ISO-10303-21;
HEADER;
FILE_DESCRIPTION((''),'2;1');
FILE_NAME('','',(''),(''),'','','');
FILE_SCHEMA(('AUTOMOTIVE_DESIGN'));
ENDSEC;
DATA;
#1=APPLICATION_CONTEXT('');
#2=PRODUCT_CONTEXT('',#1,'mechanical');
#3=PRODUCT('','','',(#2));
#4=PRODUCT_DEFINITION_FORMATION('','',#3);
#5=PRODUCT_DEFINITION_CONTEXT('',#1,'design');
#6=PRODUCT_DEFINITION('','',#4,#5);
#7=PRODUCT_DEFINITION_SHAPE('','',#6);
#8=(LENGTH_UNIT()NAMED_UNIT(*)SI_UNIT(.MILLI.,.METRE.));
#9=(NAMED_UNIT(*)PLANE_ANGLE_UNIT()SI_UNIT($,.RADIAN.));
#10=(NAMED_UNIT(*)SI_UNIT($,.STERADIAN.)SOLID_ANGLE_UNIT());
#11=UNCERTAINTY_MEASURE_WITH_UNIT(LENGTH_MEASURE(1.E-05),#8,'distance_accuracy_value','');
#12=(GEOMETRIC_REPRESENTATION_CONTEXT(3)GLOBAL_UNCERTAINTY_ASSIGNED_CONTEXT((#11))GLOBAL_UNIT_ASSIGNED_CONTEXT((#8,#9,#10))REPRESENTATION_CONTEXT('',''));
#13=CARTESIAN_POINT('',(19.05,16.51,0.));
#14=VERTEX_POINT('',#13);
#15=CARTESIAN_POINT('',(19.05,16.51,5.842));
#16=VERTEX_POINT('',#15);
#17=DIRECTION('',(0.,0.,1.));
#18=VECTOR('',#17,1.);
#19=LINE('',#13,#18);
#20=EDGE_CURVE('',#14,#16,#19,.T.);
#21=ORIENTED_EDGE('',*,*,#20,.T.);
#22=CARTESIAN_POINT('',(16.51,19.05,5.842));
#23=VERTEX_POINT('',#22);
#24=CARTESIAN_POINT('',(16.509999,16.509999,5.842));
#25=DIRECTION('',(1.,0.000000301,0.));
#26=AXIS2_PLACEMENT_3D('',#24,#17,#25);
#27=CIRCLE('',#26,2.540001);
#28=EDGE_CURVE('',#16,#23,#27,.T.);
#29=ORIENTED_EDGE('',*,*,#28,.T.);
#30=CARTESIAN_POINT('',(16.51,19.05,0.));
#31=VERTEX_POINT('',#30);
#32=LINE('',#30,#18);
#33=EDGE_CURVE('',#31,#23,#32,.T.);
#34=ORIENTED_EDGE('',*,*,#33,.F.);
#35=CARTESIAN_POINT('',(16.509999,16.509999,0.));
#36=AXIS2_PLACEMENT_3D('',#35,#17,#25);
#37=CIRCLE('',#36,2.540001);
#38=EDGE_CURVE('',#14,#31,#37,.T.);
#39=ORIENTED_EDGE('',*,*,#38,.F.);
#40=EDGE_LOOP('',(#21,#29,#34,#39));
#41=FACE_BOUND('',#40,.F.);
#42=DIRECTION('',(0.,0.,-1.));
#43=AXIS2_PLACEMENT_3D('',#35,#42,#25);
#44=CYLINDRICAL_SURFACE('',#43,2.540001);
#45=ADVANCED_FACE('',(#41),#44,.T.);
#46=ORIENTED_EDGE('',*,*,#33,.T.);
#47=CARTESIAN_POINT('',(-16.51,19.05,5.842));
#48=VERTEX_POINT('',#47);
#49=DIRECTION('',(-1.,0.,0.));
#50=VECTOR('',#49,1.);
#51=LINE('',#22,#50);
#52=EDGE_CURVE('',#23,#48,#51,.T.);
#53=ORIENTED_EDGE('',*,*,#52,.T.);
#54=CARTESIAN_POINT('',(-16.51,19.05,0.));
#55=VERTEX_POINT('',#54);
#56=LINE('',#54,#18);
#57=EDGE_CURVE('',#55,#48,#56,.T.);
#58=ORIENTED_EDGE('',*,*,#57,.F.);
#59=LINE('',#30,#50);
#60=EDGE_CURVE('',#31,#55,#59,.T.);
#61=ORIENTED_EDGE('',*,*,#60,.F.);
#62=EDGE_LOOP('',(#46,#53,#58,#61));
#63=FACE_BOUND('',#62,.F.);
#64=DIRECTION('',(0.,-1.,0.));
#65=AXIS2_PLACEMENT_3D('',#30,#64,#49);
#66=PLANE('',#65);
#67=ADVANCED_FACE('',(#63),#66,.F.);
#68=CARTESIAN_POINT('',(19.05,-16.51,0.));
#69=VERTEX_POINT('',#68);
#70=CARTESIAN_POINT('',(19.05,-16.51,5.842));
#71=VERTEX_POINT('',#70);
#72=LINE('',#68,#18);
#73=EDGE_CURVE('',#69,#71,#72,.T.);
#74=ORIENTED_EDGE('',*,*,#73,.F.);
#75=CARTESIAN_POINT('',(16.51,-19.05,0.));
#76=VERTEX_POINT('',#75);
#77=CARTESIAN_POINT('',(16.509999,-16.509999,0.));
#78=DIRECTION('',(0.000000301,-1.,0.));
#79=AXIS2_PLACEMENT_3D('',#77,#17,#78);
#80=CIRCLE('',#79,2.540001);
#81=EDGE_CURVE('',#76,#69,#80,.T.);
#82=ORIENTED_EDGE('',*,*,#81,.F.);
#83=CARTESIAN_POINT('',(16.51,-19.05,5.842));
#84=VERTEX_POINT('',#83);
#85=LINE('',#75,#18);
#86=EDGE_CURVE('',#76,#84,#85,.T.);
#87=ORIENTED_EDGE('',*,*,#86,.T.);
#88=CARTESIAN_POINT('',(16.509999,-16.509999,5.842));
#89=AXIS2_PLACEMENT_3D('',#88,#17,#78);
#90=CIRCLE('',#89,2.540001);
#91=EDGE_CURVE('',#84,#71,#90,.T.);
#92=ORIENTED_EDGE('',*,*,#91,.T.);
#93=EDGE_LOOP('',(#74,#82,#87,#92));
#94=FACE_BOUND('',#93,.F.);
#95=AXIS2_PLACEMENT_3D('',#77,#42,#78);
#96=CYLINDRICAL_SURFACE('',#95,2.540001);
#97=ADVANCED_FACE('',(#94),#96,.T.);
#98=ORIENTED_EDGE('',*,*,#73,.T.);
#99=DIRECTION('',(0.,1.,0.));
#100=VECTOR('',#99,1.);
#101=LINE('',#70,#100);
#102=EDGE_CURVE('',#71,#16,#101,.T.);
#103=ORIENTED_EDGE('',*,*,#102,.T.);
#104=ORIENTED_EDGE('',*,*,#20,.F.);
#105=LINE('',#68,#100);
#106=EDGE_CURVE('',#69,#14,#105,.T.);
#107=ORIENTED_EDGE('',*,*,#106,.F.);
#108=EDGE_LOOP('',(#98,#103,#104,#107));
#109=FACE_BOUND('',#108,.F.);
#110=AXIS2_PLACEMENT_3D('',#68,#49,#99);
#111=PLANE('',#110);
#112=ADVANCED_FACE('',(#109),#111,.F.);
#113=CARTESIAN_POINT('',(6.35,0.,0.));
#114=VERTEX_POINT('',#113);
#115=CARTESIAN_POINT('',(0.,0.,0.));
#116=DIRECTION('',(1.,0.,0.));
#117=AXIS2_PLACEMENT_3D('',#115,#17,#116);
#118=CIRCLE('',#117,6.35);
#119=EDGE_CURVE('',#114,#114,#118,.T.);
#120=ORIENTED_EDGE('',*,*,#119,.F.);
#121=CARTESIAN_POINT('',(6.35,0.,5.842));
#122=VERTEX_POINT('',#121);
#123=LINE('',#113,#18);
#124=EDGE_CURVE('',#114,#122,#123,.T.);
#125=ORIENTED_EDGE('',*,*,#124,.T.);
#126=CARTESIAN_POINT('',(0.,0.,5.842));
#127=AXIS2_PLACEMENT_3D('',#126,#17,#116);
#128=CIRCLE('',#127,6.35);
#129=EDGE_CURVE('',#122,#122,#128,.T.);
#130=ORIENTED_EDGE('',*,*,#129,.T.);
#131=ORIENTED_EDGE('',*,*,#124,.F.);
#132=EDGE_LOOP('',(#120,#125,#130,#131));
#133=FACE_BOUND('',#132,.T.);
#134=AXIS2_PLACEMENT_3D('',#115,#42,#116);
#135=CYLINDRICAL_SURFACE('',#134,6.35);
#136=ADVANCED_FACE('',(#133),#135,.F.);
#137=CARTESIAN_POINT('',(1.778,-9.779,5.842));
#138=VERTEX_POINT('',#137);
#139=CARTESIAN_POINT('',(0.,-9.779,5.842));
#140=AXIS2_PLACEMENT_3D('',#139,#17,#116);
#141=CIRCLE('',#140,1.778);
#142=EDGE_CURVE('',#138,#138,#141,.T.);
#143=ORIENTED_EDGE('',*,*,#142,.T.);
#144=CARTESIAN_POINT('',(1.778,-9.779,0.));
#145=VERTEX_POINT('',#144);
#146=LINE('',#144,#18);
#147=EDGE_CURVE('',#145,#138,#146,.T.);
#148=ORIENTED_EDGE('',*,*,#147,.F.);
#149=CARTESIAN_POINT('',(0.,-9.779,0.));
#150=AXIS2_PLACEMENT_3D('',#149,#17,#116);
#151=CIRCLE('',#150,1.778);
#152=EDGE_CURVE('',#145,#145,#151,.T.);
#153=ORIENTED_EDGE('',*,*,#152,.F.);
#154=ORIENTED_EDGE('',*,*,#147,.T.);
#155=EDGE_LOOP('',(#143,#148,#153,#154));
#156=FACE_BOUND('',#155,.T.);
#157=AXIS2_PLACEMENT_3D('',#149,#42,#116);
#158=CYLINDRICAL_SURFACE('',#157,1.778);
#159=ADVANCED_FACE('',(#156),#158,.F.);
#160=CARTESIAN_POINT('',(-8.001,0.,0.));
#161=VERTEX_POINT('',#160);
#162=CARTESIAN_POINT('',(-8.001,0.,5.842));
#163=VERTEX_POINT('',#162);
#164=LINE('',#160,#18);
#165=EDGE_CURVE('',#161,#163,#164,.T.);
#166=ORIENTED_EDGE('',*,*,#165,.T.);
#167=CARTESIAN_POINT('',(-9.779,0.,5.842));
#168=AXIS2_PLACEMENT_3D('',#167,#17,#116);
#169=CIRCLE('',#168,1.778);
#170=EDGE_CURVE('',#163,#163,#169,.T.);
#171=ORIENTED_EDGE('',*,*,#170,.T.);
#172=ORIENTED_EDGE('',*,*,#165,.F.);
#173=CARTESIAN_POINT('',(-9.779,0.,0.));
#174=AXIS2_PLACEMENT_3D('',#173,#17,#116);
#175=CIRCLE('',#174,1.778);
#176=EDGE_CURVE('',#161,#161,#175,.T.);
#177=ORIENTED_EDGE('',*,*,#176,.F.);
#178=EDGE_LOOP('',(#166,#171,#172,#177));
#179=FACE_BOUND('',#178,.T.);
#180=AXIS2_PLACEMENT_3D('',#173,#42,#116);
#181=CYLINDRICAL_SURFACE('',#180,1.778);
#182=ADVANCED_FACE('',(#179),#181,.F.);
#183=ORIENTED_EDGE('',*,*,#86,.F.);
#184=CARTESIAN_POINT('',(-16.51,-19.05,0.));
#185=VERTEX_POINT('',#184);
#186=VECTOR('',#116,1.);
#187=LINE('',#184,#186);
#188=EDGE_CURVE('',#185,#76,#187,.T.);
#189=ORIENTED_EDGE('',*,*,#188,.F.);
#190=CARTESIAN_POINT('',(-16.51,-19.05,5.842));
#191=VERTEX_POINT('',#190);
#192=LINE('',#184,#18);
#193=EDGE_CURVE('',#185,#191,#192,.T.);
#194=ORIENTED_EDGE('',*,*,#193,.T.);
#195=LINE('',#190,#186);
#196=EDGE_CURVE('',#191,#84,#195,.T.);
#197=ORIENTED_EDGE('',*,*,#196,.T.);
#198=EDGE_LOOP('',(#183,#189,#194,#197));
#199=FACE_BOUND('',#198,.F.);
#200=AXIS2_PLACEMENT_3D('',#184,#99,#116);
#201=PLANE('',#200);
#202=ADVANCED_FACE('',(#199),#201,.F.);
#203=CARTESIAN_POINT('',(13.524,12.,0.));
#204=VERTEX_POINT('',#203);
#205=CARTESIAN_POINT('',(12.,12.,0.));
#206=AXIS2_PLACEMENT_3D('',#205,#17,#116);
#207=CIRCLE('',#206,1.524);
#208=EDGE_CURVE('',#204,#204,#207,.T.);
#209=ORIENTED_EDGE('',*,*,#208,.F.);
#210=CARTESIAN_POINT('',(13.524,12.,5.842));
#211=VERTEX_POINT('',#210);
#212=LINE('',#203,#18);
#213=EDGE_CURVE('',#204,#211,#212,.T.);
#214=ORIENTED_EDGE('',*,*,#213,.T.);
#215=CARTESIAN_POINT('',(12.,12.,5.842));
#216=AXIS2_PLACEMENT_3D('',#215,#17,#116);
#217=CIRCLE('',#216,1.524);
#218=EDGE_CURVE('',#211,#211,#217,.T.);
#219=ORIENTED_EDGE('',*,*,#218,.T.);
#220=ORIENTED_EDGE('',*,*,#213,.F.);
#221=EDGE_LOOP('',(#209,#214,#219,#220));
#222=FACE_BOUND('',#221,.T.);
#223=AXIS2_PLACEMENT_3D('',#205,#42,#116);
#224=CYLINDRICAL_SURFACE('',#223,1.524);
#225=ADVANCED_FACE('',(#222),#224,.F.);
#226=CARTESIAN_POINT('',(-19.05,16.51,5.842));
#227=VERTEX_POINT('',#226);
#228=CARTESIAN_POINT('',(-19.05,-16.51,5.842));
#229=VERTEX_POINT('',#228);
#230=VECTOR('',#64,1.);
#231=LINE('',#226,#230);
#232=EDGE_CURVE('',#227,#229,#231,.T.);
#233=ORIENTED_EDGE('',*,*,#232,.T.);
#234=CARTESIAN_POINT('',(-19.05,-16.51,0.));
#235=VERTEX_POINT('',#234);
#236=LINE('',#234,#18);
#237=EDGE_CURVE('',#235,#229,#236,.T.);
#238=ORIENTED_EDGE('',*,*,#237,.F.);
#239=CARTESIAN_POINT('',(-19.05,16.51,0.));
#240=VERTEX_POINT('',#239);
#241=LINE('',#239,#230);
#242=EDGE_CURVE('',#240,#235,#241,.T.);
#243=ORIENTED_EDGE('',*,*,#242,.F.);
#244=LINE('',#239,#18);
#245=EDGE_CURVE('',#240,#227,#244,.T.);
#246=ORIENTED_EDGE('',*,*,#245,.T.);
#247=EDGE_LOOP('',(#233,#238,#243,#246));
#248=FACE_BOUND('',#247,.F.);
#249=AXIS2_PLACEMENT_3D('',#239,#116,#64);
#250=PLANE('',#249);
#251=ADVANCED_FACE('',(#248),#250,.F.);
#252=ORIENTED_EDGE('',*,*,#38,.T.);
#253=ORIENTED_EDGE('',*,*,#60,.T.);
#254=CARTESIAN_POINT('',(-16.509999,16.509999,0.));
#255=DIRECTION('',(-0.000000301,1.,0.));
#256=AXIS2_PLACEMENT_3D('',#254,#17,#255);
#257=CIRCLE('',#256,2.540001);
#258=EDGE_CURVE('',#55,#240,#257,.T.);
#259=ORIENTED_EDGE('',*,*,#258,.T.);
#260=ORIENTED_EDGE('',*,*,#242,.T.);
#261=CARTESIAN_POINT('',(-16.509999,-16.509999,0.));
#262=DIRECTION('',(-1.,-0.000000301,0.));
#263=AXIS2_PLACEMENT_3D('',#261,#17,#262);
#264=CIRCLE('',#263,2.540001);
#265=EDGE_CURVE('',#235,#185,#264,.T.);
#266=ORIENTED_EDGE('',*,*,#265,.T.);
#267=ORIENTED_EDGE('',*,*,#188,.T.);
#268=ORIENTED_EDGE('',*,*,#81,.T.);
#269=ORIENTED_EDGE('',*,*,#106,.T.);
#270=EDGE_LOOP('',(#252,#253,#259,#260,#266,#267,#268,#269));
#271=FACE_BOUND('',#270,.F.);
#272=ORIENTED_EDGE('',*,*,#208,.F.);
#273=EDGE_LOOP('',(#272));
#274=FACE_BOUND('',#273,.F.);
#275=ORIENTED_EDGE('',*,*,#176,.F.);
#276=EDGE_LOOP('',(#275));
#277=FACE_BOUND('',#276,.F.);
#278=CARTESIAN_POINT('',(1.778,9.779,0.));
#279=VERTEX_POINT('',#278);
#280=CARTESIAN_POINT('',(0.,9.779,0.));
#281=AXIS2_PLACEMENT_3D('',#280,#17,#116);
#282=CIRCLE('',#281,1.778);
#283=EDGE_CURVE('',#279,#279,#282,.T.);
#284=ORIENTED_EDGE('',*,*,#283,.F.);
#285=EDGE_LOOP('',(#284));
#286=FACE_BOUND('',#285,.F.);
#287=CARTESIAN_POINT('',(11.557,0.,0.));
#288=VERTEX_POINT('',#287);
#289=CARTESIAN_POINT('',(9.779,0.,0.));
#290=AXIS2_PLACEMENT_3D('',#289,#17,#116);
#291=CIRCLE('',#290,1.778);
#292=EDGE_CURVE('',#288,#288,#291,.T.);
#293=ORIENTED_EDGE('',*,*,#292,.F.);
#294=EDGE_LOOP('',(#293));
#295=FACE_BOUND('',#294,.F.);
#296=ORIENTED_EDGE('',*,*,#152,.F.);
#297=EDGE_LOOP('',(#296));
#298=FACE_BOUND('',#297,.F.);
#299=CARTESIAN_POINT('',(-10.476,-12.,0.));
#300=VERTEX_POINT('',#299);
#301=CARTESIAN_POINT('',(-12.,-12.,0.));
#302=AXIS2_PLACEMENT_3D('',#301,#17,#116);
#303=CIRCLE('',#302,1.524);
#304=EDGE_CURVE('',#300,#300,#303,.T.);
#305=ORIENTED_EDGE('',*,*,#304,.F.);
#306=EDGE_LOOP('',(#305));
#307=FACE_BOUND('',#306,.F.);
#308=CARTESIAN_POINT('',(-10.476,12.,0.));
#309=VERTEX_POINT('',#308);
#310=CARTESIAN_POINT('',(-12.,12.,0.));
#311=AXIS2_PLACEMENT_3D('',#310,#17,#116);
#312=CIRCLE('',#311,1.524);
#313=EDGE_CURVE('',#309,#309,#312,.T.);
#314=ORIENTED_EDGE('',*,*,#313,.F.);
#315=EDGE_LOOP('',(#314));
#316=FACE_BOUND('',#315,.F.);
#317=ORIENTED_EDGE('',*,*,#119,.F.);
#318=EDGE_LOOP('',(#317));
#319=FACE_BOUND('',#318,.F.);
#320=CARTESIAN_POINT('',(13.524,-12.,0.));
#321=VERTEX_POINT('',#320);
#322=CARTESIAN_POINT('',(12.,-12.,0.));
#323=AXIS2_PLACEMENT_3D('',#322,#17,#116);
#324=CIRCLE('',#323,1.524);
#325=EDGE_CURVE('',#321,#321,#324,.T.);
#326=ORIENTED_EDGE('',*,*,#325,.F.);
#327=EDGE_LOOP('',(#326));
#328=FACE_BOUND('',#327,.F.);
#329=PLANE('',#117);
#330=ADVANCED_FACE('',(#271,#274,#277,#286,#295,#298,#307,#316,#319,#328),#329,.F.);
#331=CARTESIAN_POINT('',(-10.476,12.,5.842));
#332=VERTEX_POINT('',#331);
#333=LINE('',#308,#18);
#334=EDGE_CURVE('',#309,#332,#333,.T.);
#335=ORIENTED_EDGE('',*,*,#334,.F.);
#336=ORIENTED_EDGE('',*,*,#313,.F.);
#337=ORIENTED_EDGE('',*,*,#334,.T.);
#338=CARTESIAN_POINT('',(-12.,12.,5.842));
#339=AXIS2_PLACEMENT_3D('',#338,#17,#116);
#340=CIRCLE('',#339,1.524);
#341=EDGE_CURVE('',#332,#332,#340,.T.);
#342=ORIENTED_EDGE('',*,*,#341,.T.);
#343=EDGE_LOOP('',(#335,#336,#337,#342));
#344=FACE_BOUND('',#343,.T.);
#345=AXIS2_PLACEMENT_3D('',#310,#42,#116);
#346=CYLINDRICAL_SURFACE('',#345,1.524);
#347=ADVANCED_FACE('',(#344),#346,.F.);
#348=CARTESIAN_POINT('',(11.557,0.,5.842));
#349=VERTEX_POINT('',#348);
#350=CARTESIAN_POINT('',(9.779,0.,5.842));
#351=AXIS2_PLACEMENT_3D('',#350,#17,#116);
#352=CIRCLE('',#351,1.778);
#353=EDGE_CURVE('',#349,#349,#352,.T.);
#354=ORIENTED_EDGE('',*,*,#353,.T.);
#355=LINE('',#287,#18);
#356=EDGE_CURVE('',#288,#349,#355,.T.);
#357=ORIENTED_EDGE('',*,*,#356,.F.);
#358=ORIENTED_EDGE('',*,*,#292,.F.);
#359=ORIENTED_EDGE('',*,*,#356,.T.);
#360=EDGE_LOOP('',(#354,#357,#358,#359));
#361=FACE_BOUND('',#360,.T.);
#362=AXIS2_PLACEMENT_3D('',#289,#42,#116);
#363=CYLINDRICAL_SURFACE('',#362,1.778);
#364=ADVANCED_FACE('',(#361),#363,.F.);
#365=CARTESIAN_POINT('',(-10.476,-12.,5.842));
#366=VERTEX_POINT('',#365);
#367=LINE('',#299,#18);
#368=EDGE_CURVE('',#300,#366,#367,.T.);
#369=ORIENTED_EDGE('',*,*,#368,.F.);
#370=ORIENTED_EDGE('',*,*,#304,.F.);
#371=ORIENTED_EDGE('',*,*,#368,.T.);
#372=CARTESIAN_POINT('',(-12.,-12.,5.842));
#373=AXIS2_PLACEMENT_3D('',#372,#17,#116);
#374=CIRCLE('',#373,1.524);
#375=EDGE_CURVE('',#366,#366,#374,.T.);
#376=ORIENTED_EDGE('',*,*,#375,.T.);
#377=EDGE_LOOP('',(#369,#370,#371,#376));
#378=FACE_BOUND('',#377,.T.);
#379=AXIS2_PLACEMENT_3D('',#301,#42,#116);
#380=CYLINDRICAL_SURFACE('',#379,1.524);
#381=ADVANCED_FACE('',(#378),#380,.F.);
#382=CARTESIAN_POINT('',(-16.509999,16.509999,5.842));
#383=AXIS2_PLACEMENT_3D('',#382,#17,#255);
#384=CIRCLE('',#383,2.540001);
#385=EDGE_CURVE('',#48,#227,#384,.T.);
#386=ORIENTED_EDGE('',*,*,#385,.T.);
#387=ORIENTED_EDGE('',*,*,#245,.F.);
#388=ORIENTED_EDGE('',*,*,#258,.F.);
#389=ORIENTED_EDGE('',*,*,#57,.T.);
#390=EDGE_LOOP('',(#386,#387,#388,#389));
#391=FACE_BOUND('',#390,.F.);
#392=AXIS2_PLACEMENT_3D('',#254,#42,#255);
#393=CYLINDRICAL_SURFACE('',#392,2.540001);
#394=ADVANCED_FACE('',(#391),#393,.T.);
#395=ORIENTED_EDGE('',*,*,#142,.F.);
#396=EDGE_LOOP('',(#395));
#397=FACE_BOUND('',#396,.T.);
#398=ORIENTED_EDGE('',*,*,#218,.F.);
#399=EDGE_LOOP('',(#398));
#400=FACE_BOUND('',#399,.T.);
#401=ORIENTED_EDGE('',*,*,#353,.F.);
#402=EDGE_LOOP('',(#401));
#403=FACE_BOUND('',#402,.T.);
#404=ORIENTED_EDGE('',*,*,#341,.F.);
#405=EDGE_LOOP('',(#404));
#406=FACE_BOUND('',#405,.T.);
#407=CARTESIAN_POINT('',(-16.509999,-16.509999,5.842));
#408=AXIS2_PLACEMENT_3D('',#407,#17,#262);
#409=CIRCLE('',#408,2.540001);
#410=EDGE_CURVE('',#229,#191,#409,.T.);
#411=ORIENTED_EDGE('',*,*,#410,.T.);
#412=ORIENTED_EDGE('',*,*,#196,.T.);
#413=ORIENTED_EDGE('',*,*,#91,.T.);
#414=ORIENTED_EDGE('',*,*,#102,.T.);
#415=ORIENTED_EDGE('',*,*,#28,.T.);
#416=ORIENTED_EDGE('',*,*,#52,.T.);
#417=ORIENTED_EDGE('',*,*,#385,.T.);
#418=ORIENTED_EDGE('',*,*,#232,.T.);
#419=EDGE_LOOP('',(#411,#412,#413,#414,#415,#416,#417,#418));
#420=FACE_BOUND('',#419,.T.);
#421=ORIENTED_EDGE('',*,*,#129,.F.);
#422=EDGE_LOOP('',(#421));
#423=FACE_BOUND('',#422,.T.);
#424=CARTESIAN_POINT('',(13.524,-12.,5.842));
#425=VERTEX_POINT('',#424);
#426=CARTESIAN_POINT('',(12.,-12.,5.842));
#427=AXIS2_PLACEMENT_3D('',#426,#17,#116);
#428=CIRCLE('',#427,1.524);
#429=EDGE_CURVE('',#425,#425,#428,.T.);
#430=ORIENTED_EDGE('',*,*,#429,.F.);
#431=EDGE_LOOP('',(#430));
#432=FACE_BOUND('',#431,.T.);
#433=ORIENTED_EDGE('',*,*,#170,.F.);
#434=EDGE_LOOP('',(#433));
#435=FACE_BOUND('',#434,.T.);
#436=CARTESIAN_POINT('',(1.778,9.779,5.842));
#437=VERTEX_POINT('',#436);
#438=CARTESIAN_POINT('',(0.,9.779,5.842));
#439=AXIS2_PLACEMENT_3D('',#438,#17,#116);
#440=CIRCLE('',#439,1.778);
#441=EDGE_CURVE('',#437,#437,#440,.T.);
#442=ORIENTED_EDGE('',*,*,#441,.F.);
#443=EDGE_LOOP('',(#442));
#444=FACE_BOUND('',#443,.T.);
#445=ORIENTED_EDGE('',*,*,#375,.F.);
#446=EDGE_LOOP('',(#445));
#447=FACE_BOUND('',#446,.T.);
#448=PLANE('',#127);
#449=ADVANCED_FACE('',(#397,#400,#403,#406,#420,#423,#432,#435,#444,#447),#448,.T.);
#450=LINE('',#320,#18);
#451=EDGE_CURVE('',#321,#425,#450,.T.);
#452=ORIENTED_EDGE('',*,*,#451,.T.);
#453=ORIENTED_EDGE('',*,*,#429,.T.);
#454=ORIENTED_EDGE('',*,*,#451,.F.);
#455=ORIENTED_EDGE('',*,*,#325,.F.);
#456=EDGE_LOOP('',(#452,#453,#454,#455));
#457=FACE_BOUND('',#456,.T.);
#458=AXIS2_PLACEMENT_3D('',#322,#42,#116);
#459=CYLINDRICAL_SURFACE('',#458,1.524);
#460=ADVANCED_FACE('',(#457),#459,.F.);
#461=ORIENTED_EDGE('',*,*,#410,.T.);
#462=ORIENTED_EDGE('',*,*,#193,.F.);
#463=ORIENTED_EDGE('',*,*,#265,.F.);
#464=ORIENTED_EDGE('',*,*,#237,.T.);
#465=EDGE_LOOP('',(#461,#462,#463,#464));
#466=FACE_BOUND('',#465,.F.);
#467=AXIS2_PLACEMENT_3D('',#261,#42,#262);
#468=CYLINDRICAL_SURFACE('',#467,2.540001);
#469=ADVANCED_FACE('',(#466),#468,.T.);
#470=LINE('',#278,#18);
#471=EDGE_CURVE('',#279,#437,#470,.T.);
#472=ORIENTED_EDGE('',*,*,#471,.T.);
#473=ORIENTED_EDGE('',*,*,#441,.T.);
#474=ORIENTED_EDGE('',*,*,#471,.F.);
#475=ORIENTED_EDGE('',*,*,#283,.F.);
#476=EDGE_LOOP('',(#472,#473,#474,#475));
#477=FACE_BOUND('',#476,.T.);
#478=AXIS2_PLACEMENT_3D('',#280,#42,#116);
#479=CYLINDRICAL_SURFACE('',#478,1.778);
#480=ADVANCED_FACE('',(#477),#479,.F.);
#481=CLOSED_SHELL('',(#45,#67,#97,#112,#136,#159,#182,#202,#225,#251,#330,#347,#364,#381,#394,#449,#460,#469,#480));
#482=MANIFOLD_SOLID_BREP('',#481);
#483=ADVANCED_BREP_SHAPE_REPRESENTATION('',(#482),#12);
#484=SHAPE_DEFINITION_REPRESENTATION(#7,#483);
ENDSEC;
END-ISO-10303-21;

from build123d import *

# Parameters (mm, degrees)
F0_R     = 1.524
F0_R_2   = 1.778
F0_R_3   = 6.35
F1_DEPTH = 5.842


with BuildPart() as f1:
    # F0 (on Top) → F1 (new body)
    with BuildSketch(Plane.XY):
        with BuildLine():
            Line((16.51, 19.05), (-16.51, 19.05))
            ThreePointArc((-16.51, 19.05), (-18.306051, 18.306051), (-19.05, 16.51))
            Line((-19.05, 16.51), (-19.05, -16.51))
            ThreePointArc((-19.05, -16.51), (-18.306051, -18.306051), (-16.51, -19.05))
            Line((-16.51, -19.05), (16.51, -19.05))
            ThreePointArc((16.51, -19.05), (18.306051, -18.306051), (19.05, -16.51))
            Line((19.05, -16.51), (19.05, 16.51))
            ThreePointArc((19.05, 16.51), (18.306051, 18.306051), (16.51, 19.05))
        make_face()
        with Locations((-12, -12)):
            Circle(F0_R, mode=Mode.SUBTRACT)
        with Locations((0, -9.779)):
            Circle(F0_R_2, mode=Mode.SUBTRACT)
        with Locations((12, -12)):
            Circle(F0_R, mode=Mode.SUBTRACT)
        with Locations((-9.779, 0)):
            Circle(F0_R_2, mode=Mode.SUBTRACT)
        with Locations((-12, 12)):
            Circle(F0_R, mode=Mode.SUBTRACT)
        Circle(F0_R_3, mode=Mode.SUBTRACT)
        with Locations((9.779, 0)):
            Circle(F0_R_2, mode=Mode.SUBTRACT)
        with Locations((0, 9.779)):
            Circle(F0_R_2, mode=Mode.SUBTRACT)
        with Locations((12, 12)):
            Circle(F0_R, mode=Mode.SUBTRACT)
    extrude(amount=F1_DEPTH)


solid = f1.part
